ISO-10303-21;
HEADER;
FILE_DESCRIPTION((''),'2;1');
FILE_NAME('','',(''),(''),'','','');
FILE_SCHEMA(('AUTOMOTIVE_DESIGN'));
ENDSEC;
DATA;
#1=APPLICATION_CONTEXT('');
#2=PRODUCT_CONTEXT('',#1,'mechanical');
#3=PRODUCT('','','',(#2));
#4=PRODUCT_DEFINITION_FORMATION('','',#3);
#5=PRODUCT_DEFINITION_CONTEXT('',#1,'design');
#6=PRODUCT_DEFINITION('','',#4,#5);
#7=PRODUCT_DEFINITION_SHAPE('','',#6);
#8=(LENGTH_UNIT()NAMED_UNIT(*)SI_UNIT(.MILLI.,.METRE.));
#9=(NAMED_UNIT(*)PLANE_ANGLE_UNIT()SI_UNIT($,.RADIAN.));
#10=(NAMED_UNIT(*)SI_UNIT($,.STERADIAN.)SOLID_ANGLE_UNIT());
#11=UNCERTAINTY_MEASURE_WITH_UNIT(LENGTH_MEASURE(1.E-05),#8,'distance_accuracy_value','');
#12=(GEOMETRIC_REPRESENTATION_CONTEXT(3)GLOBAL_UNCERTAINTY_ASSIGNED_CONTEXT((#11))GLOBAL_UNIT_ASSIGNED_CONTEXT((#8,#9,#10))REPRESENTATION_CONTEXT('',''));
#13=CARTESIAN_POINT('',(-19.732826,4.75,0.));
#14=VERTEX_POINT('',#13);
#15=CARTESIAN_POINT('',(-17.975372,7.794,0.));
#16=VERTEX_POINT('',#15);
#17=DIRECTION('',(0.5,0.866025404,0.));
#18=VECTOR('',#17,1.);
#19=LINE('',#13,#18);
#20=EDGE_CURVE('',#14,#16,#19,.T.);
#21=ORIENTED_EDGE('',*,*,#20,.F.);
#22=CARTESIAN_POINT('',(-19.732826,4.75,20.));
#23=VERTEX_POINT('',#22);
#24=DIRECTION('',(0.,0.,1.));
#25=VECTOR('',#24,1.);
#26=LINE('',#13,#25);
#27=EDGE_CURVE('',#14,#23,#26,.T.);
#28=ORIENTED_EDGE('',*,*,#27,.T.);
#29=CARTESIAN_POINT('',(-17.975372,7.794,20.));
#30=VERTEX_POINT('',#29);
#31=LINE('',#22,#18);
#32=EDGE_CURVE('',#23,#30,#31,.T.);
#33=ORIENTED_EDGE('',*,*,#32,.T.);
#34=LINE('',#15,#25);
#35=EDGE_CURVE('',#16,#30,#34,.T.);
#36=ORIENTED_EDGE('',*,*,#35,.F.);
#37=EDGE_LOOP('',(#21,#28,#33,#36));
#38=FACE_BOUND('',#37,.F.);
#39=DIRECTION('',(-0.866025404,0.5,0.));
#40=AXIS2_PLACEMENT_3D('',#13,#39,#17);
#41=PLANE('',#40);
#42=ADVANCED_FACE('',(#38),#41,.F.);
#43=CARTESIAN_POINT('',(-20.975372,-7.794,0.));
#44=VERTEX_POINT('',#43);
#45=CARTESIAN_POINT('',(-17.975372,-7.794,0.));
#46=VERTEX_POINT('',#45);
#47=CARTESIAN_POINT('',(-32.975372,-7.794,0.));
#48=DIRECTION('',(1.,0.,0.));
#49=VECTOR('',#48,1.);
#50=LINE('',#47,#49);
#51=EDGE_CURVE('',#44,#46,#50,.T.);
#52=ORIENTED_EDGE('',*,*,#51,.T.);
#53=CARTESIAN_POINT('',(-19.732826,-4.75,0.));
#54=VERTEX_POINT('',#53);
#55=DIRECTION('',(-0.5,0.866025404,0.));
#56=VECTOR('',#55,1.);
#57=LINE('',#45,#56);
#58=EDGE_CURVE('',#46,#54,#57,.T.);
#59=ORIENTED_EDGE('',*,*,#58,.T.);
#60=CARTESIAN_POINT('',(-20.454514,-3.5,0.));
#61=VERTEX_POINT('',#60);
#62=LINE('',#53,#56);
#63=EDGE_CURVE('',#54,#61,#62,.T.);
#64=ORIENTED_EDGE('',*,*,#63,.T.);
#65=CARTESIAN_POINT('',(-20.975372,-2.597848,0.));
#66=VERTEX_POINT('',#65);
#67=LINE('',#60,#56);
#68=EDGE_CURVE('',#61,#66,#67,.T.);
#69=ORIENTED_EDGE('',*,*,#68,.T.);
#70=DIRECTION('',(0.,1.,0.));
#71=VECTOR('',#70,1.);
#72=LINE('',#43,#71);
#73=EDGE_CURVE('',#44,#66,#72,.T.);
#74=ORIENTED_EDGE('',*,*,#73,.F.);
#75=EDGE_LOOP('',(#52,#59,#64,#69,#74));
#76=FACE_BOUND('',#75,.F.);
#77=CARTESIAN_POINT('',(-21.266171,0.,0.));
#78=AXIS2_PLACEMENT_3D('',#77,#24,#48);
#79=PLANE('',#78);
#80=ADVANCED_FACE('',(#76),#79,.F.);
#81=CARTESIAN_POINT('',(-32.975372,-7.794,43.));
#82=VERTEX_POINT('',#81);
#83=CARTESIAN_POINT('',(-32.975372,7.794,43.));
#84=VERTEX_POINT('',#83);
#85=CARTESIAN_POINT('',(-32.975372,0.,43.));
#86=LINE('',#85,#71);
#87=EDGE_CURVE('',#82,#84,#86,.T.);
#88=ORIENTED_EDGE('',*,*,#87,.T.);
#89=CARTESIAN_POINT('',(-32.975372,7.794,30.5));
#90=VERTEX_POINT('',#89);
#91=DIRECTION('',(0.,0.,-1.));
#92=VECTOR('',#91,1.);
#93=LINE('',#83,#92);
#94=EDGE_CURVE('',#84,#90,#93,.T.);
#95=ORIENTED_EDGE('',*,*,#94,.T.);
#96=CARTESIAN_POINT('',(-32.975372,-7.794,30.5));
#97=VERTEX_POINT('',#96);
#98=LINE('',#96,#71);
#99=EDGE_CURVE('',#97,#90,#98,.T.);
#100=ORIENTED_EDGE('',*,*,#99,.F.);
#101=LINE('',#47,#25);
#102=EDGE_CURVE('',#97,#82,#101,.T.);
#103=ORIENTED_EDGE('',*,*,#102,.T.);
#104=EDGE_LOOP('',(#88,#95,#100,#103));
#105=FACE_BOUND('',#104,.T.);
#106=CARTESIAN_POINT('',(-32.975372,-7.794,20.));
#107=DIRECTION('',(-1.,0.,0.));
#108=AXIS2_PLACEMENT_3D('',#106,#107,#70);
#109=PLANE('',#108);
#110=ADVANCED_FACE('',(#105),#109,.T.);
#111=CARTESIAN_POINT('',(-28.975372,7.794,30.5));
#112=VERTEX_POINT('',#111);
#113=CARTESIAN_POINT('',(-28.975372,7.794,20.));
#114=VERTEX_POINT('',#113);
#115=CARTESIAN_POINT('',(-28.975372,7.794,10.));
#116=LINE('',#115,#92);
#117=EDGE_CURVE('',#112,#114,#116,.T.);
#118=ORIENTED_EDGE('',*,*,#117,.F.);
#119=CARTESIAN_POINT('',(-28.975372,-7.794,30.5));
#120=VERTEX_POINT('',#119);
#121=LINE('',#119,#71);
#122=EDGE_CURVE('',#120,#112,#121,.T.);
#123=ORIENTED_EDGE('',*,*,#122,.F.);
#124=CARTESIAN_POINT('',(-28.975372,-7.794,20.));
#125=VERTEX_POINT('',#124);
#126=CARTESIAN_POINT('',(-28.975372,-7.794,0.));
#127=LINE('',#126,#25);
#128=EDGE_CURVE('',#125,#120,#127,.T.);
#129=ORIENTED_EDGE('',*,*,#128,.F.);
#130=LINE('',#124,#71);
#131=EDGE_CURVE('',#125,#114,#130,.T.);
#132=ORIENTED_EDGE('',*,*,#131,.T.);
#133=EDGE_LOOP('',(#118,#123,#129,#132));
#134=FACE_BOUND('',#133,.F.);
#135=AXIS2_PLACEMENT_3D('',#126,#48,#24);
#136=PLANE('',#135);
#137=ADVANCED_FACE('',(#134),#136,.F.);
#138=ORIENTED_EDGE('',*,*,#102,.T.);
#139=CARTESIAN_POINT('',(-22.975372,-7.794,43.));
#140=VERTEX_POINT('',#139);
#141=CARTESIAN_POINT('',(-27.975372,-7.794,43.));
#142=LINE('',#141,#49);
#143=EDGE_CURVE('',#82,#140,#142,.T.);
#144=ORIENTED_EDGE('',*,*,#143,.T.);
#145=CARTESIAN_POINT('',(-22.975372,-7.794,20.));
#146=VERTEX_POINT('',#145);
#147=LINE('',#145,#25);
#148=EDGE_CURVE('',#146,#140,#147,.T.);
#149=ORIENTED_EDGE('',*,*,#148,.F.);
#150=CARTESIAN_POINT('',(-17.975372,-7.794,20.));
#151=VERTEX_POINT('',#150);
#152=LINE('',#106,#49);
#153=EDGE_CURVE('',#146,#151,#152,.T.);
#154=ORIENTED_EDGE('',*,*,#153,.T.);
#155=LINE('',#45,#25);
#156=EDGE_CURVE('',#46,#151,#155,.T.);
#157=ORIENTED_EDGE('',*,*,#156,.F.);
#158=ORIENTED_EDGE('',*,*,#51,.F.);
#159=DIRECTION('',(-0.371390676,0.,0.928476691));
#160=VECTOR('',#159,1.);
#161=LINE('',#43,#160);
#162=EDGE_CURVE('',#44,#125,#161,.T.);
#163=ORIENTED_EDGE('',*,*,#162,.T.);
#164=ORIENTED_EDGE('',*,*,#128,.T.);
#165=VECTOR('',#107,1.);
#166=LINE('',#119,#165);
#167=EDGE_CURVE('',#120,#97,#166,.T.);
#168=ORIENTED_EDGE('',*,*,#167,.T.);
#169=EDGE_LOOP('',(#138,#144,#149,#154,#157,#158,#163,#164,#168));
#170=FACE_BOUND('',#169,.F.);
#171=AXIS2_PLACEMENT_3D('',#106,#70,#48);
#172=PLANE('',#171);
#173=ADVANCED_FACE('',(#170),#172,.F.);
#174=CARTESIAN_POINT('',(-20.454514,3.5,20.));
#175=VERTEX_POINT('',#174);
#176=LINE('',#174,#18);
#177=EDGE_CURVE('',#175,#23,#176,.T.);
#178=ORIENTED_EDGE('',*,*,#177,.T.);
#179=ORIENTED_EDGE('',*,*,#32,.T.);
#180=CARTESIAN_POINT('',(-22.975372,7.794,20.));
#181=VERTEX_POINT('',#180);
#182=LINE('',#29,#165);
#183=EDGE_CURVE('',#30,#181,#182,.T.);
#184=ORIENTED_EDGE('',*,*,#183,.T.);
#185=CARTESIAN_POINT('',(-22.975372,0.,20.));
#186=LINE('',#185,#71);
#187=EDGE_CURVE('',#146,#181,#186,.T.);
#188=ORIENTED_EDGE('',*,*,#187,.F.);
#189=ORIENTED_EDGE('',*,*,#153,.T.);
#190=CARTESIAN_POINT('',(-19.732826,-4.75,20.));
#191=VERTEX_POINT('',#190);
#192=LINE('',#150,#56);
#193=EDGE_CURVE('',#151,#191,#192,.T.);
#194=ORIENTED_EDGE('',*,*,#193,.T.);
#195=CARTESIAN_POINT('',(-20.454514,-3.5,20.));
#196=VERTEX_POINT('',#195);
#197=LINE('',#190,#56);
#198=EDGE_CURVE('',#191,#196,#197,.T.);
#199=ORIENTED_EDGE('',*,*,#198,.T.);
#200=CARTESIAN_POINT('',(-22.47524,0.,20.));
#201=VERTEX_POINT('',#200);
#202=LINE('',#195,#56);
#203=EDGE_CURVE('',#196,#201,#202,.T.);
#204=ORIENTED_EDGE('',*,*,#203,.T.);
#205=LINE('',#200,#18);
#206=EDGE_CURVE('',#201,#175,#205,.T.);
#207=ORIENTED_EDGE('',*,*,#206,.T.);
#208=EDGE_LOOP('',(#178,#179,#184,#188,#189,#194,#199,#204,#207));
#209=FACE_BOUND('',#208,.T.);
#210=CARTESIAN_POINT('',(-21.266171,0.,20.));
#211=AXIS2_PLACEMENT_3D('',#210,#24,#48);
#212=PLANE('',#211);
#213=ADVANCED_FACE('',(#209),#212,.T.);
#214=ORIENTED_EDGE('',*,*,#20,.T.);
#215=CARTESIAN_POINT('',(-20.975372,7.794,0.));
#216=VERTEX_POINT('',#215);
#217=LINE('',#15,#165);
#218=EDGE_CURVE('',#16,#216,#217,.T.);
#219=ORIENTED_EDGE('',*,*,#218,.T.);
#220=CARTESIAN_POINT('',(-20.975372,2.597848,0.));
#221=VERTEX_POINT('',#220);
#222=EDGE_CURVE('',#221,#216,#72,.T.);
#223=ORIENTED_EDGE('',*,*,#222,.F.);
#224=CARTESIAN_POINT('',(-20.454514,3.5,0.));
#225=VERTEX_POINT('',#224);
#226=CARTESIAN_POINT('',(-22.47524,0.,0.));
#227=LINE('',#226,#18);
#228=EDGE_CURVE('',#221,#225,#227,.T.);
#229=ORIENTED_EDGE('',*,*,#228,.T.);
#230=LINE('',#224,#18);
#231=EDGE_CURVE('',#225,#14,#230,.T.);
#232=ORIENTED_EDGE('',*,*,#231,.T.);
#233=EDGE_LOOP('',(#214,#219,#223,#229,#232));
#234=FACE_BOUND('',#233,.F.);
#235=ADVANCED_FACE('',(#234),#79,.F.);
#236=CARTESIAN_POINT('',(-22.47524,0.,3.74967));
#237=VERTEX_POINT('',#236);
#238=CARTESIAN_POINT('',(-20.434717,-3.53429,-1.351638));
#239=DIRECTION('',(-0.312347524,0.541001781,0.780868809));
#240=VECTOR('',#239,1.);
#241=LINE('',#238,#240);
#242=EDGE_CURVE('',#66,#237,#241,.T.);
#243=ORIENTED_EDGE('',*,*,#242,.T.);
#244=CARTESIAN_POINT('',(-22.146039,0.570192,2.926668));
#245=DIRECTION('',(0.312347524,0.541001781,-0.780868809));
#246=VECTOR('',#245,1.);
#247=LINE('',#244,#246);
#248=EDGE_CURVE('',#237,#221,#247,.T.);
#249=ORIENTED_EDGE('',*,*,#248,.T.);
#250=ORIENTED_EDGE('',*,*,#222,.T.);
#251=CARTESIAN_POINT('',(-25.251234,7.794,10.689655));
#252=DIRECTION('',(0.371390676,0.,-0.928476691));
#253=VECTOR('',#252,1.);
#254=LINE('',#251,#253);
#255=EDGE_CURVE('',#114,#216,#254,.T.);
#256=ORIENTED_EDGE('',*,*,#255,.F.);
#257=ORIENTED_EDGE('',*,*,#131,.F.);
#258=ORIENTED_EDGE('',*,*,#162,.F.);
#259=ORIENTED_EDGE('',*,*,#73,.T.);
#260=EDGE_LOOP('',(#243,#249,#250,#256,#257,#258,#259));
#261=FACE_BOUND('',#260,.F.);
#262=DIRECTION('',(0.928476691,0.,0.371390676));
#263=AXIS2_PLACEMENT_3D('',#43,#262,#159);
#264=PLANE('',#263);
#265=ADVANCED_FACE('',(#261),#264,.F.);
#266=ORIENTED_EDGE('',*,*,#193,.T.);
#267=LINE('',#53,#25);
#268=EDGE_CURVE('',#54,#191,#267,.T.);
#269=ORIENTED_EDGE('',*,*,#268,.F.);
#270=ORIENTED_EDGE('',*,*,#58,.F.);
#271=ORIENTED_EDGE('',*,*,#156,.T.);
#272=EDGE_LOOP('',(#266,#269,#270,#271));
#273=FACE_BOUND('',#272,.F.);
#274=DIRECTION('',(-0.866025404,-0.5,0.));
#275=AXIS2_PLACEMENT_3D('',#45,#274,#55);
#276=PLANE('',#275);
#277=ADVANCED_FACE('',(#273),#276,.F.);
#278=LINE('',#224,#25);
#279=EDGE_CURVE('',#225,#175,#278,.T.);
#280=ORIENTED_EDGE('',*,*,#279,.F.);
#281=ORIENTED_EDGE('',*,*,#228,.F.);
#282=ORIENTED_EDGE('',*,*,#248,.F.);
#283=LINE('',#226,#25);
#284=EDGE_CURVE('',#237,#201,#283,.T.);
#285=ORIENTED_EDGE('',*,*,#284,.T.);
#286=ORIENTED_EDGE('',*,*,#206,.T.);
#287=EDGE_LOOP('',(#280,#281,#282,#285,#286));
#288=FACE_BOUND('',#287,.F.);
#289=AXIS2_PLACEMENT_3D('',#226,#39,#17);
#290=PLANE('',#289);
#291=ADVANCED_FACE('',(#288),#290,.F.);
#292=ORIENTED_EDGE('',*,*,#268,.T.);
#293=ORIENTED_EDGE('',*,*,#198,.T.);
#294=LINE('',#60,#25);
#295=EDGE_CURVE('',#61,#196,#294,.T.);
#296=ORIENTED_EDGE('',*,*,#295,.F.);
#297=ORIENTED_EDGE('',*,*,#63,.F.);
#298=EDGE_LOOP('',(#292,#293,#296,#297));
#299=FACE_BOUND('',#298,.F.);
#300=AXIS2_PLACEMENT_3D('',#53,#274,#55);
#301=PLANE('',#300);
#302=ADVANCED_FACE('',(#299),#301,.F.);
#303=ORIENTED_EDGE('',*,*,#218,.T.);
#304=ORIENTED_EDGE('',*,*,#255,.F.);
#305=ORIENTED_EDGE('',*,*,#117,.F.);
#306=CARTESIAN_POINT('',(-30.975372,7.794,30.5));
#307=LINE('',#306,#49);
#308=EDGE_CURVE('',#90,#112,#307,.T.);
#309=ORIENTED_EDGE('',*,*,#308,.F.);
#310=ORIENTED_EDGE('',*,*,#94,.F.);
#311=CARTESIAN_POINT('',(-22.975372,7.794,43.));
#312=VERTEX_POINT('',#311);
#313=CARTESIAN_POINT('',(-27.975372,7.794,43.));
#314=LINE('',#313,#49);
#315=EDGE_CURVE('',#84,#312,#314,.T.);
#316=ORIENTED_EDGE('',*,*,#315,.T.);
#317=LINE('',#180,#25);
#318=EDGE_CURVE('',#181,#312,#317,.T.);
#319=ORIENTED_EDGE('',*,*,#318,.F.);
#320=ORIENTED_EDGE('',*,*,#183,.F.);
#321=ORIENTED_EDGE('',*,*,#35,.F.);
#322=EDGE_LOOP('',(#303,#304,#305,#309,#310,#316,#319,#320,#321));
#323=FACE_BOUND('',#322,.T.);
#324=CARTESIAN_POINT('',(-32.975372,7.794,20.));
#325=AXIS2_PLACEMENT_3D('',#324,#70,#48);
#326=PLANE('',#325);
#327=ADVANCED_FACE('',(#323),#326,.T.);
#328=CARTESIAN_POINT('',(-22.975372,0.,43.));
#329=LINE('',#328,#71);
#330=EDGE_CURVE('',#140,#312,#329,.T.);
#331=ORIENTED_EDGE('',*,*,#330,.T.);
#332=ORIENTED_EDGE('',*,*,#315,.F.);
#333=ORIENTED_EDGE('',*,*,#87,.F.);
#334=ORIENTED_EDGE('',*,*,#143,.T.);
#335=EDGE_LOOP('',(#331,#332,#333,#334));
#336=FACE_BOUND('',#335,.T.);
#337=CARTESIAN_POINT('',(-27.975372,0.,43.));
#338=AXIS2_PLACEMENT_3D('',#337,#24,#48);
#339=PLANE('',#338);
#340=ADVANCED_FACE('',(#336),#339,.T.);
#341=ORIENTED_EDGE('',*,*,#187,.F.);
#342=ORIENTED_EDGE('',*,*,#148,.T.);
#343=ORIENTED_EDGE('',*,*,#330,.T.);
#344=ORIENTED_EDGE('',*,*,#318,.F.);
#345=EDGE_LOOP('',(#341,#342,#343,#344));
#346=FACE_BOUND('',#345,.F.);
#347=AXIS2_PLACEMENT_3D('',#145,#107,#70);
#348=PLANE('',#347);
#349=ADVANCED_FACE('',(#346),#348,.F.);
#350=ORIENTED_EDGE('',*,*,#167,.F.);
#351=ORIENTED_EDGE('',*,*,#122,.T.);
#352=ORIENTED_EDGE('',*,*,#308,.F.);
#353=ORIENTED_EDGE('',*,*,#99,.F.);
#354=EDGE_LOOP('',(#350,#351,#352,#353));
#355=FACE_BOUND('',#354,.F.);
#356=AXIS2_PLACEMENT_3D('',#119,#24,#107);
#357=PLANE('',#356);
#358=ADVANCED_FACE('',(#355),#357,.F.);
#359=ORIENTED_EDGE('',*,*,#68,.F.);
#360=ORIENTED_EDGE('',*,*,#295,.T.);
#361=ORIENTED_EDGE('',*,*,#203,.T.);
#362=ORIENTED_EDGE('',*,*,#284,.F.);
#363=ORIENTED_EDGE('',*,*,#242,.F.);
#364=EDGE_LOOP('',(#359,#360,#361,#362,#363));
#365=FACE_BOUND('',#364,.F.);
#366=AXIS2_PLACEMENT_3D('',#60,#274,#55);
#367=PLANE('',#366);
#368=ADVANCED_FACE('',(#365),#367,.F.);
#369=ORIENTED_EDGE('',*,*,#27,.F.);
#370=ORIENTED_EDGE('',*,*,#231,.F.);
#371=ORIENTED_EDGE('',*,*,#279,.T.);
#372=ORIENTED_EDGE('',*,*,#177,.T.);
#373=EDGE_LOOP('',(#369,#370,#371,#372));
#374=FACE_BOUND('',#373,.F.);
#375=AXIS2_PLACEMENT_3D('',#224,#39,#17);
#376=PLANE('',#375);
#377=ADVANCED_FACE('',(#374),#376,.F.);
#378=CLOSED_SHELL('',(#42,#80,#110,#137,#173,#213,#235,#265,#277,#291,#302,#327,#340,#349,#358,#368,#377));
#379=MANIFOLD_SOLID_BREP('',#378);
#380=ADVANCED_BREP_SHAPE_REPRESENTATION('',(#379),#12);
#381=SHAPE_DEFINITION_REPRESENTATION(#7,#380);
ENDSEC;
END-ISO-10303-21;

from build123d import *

# Parameters (mm, degrees)
F0_W     = 10
F0_H     = 15.588
F1_DEPTH = 20
F2_W     = 10
F2_H     = 15.588
F3_DEPTH = 23
F5_DEPTH = 15.589
F6_DEPTH = 15.589


with BuildPart() as f1:
    # F0 (on Top) → F1 (new body)
    with BuildSketch(Plane.XY):
        Polygon((-20.4545138283, 3.49999999), (-19.7328258911, 4.7500001644), (-17.9753717666, 7.794), (-22.9753717666, 7.794), (-22.9753717666, -7.794), (-17.9753717666, -7.794), (-19.732826028, -4.7499999273), (-20.4545138514, -3.49999995), (-22.4752397647, 0), align=None)
        with Locations((-27.9753717666, 0)):
            Rectangle(F0_W, F0_H)
    extrude(amount=F1_DEPTH)

    # F2 (on face) → F3 (join)
    with BuildSketch(Plane.XY.offset(20)):
        with Locations((-27.9753717666, 0)):
            Rectangle(F2_W, F2_H)
    extrude(amount=F3_DEPTH)

    # F4 (on face) → F5 (cut, through all)
    with BuildSketch(Plane.XZ.offset(7.794)):
        Polygon((-32.9753717666, 0), (-28.9753717666, 0), (-28.9753717666, 20), (-28.9753717666, 30.5), (-32.9753717666, 30.5), align=None)
    extrude(amount=-F5_DEPTH, mode=Mode.SUBTRACT)

    # F4 (on face) → F6 (cut, through all)
    with BuildSketch(Plane.XZ.offset(7.794)):
        Polygon((-28.9753717666, 0), (-20.9753717666, 0), (-28.9753717666, 20), align=None)
    extrude(amount=-F6_DEPTH, mode=Mode.SUBTRACT)


solid = f1.part
